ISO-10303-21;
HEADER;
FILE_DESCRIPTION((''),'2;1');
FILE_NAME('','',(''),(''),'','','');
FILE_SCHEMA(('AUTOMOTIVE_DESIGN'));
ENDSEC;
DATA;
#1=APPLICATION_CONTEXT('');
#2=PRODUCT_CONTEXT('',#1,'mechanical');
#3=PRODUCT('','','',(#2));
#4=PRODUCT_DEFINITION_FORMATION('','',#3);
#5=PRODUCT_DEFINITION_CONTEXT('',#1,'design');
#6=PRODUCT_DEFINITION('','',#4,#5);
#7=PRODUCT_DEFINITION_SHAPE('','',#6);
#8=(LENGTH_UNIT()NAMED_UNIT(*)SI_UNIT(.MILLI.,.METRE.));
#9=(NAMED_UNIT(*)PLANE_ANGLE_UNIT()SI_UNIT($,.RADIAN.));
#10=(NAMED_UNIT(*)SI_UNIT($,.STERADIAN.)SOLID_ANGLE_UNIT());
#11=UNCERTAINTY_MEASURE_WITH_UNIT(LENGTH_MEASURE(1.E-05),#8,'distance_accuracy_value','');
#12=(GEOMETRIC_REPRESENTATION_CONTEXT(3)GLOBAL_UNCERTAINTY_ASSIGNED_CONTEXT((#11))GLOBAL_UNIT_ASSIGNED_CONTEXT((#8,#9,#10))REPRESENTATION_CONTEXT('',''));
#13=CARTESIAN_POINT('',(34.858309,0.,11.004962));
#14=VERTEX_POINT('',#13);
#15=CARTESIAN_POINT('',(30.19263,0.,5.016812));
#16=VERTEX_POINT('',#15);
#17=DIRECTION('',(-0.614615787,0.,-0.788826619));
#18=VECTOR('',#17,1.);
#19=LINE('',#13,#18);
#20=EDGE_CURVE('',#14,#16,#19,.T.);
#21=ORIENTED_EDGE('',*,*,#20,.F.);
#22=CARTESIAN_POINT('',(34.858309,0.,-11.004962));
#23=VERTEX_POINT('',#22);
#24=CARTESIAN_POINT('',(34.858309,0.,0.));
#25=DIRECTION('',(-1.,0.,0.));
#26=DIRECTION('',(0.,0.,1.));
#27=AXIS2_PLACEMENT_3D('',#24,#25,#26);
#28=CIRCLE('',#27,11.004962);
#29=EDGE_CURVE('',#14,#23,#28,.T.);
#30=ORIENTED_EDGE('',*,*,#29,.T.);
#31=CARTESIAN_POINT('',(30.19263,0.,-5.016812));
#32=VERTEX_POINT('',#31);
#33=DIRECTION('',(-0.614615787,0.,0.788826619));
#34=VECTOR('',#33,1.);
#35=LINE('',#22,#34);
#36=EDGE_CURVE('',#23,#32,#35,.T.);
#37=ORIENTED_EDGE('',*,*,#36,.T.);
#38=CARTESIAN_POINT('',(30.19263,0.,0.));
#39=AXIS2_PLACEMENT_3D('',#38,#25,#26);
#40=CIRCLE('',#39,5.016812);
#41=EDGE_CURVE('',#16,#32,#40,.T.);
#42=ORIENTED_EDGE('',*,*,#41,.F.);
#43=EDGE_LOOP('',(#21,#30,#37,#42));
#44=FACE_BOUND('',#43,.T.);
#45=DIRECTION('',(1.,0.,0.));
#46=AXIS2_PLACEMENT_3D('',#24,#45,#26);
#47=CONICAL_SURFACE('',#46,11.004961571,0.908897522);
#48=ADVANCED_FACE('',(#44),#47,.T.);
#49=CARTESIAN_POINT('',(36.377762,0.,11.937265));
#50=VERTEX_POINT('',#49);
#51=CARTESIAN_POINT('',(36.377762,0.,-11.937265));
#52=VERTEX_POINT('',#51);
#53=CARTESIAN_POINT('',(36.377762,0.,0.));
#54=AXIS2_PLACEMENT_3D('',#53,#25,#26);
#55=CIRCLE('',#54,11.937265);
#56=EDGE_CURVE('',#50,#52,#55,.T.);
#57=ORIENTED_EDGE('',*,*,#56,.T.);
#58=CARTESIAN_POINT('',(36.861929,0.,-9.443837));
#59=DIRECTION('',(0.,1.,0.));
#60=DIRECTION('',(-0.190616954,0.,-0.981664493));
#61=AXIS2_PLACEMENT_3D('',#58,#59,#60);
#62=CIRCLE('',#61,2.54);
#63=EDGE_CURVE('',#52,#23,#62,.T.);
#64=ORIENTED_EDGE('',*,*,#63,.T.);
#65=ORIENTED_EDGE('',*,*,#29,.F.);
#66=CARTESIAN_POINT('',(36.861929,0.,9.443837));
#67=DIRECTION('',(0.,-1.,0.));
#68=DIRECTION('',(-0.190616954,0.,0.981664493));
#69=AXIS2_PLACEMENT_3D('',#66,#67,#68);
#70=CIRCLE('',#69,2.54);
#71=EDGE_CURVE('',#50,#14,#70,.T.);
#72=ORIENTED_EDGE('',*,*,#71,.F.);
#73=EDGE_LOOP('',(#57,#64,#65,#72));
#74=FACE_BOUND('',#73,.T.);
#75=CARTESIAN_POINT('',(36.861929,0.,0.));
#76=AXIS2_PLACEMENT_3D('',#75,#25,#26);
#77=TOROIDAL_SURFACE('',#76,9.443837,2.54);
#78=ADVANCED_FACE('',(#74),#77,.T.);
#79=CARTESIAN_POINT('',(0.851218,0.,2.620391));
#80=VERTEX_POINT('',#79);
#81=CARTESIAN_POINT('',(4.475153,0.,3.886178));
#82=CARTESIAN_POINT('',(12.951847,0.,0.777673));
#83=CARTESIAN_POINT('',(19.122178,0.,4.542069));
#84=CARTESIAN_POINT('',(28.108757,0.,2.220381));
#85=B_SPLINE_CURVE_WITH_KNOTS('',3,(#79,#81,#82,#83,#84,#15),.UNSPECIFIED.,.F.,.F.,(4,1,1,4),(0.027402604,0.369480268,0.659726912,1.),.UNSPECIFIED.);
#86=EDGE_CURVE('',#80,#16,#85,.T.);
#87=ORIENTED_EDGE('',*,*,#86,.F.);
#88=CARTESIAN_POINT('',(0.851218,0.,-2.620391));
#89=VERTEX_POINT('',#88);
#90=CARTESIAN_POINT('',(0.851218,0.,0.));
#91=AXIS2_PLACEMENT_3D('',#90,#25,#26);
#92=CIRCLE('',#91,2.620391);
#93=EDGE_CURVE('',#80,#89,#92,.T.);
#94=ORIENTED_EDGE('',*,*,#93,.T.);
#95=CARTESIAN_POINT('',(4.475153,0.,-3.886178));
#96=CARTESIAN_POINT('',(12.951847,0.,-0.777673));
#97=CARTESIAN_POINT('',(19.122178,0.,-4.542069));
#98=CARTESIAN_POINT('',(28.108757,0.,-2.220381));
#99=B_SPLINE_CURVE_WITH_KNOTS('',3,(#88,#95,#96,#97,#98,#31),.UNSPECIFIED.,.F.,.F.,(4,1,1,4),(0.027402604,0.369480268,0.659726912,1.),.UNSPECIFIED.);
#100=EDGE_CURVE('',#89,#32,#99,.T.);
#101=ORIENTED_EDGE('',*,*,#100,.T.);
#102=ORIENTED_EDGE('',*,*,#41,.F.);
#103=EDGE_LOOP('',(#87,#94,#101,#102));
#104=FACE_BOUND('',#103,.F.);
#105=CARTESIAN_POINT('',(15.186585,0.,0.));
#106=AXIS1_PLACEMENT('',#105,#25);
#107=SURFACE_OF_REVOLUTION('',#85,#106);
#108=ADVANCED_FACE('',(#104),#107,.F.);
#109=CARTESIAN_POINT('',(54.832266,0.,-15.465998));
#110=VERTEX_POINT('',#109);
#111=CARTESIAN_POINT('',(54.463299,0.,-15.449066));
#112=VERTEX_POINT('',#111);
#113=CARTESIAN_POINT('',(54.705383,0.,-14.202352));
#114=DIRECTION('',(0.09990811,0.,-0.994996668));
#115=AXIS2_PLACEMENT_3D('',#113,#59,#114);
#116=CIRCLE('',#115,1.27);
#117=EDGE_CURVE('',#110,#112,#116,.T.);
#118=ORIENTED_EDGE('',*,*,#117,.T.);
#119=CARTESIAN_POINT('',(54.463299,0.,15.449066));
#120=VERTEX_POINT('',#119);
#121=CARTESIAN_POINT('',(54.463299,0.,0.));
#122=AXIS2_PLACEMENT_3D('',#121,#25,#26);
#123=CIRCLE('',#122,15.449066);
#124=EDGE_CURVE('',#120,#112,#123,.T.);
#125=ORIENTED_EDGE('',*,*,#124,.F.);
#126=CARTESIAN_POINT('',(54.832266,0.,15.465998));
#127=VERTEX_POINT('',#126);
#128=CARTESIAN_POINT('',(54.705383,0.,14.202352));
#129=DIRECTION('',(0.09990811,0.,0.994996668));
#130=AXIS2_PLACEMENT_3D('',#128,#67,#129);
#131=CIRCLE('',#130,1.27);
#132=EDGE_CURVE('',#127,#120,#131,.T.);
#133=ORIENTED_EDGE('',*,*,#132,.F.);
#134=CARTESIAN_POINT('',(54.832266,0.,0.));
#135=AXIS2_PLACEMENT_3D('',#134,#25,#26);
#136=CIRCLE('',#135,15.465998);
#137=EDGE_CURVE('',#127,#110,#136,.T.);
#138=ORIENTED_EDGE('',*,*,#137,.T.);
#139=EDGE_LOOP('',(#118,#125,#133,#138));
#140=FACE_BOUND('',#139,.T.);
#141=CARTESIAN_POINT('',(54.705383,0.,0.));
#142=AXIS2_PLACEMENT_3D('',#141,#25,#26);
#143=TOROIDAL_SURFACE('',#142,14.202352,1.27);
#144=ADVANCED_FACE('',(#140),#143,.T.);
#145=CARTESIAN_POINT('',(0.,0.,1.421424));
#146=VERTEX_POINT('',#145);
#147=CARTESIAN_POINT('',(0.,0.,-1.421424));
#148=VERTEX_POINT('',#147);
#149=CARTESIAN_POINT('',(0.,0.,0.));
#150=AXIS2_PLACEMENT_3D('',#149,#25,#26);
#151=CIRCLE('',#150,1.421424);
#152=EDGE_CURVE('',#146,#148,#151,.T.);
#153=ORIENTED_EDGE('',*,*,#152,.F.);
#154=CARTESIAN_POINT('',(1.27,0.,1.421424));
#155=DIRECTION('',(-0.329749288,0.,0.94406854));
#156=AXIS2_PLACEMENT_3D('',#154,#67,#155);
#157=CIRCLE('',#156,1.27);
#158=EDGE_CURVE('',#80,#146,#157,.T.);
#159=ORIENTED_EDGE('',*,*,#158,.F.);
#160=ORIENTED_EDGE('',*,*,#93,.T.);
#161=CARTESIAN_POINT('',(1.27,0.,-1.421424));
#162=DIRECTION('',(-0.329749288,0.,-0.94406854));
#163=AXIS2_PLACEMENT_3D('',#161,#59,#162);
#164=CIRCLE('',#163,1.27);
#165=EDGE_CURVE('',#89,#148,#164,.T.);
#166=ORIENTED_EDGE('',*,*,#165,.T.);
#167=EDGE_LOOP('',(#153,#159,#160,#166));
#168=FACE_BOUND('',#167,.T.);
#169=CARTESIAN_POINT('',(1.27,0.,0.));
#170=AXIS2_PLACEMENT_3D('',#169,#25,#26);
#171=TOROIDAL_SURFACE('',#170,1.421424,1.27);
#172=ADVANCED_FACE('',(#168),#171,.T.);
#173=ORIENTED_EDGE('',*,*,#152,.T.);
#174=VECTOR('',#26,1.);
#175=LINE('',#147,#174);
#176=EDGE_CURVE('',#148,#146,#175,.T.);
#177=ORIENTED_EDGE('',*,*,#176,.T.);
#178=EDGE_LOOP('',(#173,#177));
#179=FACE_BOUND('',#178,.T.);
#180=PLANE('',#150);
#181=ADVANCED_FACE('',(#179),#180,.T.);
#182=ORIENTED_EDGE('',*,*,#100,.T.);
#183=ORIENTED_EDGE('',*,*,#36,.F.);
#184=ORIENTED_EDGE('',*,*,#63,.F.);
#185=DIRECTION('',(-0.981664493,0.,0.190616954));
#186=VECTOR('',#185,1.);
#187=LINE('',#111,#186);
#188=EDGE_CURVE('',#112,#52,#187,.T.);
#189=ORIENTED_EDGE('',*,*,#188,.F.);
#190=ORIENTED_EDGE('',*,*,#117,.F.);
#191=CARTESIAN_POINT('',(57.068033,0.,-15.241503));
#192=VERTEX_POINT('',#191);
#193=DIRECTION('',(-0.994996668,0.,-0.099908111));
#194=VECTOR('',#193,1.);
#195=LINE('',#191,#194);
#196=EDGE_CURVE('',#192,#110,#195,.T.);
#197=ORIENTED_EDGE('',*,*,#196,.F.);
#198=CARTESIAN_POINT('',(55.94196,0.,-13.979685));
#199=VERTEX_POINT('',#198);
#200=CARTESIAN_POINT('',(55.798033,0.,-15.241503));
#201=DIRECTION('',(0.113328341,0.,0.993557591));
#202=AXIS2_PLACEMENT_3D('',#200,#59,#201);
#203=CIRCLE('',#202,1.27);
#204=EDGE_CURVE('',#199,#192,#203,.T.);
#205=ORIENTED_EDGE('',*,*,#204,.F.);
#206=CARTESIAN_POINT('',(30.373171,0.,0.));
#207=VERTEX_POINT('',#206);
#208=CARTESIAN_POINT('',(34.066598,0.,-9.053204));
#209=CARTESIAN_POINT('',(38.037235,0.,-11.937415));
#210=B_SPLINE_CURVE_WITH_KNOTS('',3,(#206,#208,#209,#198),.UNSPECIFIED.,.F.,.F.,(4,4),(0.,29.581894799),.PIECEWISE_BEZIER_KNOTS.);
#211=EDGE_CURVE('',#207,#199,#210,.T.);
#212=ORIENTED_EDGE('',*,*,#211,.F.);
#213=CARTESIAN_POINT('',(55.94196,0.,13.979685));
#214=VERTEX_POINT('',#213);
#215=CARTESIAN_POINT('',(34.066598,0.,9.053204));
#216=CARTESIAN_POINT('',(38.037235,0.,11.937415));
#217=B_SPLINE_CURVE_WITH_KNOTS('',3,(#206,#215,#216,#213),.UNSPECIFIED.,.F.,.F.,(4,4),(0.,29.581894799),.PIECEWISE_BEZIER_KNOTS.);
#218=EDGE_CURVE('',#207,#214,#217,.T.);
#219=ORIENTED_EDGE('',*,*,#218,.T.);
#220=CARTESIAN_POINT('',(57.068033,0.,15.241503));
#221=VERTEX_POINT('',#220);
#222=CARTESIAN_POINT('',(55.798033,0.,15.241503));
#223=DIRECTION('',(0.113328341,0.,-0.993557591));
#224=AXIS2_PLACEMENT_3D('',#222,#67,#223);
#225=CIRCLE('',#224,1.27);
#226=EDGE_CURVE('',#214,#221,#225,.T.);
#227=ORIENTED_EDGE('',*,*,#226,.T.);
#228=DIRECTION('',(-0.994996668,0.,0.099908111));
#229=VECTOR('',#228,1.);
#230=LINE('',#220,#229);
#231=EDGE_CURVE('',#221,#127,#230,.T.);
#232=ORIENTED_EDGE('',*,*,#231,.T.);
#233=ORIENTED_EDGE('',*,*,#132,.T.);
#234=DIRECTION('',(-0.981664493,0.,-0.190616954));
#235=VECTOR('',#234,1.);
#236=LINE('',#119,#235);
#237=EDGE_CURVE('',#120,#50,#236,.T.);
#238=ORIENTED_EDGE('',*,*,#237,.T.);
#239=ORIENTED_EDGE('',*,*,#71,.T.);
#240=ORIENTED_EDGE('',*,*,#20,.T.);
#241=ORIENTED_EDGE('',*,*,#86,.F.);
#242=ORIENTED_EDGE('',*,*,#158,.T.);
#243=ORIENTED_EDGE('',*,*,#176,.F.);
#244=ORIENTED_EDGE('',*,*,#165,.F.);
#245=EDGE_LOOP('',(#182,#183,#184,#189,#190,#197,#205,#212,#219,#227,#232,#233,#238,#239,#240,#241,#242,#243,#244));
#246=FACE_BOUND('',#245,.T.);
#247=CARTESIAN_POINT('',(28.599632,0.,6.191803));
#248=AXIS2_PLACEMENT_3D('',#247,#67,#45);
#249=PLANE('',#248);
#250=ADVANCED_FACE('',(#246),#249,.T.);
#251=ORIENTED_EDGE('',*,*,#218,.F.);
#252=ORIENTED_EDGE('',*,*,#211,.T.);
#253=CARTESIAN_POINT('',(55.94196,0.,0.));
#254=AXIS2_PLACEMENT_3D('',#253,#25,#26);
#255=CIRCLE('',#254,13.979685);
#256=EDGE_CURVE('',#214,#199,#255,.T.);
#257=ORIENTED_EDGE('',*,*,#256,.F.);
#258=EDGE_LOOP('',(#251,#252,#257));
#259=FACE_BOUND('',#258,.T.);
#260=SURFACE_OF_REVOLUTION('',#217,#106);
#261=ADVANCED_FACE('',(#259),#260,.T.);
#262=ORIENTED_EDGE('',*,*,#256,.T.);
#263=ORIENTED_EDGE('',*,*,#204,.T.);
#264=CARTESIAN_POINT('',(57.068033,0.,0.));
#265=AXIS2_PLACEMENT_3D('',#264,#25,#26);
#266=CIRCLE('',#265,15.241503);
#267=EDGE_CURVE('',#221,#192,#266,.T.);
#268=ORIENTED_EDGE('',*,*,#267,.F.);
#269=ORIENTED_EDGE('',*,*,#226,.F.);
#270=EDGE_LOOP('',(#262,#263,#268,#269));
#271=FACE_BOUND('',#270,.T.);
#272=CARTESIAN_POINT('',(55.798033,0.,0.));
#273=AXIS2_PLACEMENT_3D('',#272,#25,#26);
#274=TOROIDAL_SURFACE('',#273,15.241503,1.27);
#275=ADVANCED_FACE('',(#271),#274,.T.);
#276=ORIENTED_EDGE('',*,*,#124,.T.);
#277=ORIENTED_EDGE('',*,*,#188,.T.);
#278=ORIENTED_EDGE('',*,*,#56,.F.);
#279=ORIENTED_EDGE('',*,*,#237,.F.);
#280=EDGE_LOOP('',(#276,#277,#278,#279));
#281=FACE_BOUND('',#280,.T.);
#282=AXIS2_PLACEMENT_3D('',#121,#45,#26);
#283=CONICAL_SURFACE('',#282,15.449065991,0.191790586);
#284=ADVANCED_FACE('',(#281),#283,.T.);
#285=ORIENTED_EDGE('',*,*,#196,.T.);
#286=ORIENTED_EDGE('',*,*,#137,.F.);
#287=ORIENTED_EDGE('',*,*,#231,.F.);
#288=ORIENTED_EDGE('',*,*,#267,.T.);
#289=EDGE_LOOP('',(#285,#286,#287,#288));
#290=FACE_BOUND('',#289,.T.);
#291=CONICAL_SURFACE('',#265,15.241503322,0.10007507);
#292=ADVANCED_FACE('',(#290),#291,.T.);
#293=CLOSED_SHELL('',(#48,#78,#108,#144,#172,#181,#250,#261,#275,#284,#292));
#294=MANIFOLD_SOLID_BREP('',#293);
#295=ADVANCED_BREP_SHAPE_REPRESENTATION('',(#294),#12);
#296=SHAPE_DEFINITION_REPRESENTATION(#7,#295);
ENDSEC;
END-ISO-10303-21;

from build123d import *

# Parameters (mm, degrees)
F1_ANGLE = 180


with BuildPart() as f1:
    # F0 (on Front) → F1 (revolve)
    with BuildSketch(Plane.XZ):
        with BuildLine():
            Line((0, 1.421424132), (0, 0))
            Line((0, 0), (30.3731706605, 0))
            add(Edge.make_bspline(
                [(30.3731706605, 0), (34.066597966, 9.0532042325), (38.037234798, 11.9374152002), (55.9419603243, 13.9796851814)],
                knots=[0, 0, 0, 0, 29.5818947991, 29.5818947991, 29.5818947991, 29.5818947991], degree=3))
            ThreePointArc((55.9419603243, 13.9796851814), (56.7455794464, 14.3958932707), (57.068033331, 15.2415033223))
            Line((57.068033331, 15.2415033223), (54.832265802, 15.4659978531))
            ThreePointArc((54.832265802, 15.4659978531), (54.6471635586, 15.4710169556), (54.4632989697, 15.4490659909))
            Line((54.4632989697, 15.4490659909), (36.377761513, 11.9372652844))
            ThreePointArc((36.377761513, 11.9372652844), (35.5335580752, 11.6087928556), (34.8583089648, 11.0049615714))
            Line((34.8583089648, 11.0049615714), (30.1926303655, 5.0168116577))
            add(Edge.make_bspline(
                [(0.8512184045, 2.6203911771), (4.4751526377, 3.8861782281), (12.9518472568, 0.7776731918), (19.1221779417, 4.5420689997), (28.1087569892, 2.2203812841), (30.1926303655, 5.0168116577)],
                knots=[0.0274026041, 0.0274026041, 0.0274026041, 0.0274026041, 0.3694802679, 0.6597269117, 1, 1, 1, 1], degree=3))
            ThreePointArc((0.8512184045, 2.6203911771), (0.2344439594, 2.1566272923), (0, 1.421424132))
        make_face()
    revolve(axis=Axis((15.1865853303, 0, 0), (-1, 0, 0)), revolution_arc=F1_ANGLE)


solid = f1.part
